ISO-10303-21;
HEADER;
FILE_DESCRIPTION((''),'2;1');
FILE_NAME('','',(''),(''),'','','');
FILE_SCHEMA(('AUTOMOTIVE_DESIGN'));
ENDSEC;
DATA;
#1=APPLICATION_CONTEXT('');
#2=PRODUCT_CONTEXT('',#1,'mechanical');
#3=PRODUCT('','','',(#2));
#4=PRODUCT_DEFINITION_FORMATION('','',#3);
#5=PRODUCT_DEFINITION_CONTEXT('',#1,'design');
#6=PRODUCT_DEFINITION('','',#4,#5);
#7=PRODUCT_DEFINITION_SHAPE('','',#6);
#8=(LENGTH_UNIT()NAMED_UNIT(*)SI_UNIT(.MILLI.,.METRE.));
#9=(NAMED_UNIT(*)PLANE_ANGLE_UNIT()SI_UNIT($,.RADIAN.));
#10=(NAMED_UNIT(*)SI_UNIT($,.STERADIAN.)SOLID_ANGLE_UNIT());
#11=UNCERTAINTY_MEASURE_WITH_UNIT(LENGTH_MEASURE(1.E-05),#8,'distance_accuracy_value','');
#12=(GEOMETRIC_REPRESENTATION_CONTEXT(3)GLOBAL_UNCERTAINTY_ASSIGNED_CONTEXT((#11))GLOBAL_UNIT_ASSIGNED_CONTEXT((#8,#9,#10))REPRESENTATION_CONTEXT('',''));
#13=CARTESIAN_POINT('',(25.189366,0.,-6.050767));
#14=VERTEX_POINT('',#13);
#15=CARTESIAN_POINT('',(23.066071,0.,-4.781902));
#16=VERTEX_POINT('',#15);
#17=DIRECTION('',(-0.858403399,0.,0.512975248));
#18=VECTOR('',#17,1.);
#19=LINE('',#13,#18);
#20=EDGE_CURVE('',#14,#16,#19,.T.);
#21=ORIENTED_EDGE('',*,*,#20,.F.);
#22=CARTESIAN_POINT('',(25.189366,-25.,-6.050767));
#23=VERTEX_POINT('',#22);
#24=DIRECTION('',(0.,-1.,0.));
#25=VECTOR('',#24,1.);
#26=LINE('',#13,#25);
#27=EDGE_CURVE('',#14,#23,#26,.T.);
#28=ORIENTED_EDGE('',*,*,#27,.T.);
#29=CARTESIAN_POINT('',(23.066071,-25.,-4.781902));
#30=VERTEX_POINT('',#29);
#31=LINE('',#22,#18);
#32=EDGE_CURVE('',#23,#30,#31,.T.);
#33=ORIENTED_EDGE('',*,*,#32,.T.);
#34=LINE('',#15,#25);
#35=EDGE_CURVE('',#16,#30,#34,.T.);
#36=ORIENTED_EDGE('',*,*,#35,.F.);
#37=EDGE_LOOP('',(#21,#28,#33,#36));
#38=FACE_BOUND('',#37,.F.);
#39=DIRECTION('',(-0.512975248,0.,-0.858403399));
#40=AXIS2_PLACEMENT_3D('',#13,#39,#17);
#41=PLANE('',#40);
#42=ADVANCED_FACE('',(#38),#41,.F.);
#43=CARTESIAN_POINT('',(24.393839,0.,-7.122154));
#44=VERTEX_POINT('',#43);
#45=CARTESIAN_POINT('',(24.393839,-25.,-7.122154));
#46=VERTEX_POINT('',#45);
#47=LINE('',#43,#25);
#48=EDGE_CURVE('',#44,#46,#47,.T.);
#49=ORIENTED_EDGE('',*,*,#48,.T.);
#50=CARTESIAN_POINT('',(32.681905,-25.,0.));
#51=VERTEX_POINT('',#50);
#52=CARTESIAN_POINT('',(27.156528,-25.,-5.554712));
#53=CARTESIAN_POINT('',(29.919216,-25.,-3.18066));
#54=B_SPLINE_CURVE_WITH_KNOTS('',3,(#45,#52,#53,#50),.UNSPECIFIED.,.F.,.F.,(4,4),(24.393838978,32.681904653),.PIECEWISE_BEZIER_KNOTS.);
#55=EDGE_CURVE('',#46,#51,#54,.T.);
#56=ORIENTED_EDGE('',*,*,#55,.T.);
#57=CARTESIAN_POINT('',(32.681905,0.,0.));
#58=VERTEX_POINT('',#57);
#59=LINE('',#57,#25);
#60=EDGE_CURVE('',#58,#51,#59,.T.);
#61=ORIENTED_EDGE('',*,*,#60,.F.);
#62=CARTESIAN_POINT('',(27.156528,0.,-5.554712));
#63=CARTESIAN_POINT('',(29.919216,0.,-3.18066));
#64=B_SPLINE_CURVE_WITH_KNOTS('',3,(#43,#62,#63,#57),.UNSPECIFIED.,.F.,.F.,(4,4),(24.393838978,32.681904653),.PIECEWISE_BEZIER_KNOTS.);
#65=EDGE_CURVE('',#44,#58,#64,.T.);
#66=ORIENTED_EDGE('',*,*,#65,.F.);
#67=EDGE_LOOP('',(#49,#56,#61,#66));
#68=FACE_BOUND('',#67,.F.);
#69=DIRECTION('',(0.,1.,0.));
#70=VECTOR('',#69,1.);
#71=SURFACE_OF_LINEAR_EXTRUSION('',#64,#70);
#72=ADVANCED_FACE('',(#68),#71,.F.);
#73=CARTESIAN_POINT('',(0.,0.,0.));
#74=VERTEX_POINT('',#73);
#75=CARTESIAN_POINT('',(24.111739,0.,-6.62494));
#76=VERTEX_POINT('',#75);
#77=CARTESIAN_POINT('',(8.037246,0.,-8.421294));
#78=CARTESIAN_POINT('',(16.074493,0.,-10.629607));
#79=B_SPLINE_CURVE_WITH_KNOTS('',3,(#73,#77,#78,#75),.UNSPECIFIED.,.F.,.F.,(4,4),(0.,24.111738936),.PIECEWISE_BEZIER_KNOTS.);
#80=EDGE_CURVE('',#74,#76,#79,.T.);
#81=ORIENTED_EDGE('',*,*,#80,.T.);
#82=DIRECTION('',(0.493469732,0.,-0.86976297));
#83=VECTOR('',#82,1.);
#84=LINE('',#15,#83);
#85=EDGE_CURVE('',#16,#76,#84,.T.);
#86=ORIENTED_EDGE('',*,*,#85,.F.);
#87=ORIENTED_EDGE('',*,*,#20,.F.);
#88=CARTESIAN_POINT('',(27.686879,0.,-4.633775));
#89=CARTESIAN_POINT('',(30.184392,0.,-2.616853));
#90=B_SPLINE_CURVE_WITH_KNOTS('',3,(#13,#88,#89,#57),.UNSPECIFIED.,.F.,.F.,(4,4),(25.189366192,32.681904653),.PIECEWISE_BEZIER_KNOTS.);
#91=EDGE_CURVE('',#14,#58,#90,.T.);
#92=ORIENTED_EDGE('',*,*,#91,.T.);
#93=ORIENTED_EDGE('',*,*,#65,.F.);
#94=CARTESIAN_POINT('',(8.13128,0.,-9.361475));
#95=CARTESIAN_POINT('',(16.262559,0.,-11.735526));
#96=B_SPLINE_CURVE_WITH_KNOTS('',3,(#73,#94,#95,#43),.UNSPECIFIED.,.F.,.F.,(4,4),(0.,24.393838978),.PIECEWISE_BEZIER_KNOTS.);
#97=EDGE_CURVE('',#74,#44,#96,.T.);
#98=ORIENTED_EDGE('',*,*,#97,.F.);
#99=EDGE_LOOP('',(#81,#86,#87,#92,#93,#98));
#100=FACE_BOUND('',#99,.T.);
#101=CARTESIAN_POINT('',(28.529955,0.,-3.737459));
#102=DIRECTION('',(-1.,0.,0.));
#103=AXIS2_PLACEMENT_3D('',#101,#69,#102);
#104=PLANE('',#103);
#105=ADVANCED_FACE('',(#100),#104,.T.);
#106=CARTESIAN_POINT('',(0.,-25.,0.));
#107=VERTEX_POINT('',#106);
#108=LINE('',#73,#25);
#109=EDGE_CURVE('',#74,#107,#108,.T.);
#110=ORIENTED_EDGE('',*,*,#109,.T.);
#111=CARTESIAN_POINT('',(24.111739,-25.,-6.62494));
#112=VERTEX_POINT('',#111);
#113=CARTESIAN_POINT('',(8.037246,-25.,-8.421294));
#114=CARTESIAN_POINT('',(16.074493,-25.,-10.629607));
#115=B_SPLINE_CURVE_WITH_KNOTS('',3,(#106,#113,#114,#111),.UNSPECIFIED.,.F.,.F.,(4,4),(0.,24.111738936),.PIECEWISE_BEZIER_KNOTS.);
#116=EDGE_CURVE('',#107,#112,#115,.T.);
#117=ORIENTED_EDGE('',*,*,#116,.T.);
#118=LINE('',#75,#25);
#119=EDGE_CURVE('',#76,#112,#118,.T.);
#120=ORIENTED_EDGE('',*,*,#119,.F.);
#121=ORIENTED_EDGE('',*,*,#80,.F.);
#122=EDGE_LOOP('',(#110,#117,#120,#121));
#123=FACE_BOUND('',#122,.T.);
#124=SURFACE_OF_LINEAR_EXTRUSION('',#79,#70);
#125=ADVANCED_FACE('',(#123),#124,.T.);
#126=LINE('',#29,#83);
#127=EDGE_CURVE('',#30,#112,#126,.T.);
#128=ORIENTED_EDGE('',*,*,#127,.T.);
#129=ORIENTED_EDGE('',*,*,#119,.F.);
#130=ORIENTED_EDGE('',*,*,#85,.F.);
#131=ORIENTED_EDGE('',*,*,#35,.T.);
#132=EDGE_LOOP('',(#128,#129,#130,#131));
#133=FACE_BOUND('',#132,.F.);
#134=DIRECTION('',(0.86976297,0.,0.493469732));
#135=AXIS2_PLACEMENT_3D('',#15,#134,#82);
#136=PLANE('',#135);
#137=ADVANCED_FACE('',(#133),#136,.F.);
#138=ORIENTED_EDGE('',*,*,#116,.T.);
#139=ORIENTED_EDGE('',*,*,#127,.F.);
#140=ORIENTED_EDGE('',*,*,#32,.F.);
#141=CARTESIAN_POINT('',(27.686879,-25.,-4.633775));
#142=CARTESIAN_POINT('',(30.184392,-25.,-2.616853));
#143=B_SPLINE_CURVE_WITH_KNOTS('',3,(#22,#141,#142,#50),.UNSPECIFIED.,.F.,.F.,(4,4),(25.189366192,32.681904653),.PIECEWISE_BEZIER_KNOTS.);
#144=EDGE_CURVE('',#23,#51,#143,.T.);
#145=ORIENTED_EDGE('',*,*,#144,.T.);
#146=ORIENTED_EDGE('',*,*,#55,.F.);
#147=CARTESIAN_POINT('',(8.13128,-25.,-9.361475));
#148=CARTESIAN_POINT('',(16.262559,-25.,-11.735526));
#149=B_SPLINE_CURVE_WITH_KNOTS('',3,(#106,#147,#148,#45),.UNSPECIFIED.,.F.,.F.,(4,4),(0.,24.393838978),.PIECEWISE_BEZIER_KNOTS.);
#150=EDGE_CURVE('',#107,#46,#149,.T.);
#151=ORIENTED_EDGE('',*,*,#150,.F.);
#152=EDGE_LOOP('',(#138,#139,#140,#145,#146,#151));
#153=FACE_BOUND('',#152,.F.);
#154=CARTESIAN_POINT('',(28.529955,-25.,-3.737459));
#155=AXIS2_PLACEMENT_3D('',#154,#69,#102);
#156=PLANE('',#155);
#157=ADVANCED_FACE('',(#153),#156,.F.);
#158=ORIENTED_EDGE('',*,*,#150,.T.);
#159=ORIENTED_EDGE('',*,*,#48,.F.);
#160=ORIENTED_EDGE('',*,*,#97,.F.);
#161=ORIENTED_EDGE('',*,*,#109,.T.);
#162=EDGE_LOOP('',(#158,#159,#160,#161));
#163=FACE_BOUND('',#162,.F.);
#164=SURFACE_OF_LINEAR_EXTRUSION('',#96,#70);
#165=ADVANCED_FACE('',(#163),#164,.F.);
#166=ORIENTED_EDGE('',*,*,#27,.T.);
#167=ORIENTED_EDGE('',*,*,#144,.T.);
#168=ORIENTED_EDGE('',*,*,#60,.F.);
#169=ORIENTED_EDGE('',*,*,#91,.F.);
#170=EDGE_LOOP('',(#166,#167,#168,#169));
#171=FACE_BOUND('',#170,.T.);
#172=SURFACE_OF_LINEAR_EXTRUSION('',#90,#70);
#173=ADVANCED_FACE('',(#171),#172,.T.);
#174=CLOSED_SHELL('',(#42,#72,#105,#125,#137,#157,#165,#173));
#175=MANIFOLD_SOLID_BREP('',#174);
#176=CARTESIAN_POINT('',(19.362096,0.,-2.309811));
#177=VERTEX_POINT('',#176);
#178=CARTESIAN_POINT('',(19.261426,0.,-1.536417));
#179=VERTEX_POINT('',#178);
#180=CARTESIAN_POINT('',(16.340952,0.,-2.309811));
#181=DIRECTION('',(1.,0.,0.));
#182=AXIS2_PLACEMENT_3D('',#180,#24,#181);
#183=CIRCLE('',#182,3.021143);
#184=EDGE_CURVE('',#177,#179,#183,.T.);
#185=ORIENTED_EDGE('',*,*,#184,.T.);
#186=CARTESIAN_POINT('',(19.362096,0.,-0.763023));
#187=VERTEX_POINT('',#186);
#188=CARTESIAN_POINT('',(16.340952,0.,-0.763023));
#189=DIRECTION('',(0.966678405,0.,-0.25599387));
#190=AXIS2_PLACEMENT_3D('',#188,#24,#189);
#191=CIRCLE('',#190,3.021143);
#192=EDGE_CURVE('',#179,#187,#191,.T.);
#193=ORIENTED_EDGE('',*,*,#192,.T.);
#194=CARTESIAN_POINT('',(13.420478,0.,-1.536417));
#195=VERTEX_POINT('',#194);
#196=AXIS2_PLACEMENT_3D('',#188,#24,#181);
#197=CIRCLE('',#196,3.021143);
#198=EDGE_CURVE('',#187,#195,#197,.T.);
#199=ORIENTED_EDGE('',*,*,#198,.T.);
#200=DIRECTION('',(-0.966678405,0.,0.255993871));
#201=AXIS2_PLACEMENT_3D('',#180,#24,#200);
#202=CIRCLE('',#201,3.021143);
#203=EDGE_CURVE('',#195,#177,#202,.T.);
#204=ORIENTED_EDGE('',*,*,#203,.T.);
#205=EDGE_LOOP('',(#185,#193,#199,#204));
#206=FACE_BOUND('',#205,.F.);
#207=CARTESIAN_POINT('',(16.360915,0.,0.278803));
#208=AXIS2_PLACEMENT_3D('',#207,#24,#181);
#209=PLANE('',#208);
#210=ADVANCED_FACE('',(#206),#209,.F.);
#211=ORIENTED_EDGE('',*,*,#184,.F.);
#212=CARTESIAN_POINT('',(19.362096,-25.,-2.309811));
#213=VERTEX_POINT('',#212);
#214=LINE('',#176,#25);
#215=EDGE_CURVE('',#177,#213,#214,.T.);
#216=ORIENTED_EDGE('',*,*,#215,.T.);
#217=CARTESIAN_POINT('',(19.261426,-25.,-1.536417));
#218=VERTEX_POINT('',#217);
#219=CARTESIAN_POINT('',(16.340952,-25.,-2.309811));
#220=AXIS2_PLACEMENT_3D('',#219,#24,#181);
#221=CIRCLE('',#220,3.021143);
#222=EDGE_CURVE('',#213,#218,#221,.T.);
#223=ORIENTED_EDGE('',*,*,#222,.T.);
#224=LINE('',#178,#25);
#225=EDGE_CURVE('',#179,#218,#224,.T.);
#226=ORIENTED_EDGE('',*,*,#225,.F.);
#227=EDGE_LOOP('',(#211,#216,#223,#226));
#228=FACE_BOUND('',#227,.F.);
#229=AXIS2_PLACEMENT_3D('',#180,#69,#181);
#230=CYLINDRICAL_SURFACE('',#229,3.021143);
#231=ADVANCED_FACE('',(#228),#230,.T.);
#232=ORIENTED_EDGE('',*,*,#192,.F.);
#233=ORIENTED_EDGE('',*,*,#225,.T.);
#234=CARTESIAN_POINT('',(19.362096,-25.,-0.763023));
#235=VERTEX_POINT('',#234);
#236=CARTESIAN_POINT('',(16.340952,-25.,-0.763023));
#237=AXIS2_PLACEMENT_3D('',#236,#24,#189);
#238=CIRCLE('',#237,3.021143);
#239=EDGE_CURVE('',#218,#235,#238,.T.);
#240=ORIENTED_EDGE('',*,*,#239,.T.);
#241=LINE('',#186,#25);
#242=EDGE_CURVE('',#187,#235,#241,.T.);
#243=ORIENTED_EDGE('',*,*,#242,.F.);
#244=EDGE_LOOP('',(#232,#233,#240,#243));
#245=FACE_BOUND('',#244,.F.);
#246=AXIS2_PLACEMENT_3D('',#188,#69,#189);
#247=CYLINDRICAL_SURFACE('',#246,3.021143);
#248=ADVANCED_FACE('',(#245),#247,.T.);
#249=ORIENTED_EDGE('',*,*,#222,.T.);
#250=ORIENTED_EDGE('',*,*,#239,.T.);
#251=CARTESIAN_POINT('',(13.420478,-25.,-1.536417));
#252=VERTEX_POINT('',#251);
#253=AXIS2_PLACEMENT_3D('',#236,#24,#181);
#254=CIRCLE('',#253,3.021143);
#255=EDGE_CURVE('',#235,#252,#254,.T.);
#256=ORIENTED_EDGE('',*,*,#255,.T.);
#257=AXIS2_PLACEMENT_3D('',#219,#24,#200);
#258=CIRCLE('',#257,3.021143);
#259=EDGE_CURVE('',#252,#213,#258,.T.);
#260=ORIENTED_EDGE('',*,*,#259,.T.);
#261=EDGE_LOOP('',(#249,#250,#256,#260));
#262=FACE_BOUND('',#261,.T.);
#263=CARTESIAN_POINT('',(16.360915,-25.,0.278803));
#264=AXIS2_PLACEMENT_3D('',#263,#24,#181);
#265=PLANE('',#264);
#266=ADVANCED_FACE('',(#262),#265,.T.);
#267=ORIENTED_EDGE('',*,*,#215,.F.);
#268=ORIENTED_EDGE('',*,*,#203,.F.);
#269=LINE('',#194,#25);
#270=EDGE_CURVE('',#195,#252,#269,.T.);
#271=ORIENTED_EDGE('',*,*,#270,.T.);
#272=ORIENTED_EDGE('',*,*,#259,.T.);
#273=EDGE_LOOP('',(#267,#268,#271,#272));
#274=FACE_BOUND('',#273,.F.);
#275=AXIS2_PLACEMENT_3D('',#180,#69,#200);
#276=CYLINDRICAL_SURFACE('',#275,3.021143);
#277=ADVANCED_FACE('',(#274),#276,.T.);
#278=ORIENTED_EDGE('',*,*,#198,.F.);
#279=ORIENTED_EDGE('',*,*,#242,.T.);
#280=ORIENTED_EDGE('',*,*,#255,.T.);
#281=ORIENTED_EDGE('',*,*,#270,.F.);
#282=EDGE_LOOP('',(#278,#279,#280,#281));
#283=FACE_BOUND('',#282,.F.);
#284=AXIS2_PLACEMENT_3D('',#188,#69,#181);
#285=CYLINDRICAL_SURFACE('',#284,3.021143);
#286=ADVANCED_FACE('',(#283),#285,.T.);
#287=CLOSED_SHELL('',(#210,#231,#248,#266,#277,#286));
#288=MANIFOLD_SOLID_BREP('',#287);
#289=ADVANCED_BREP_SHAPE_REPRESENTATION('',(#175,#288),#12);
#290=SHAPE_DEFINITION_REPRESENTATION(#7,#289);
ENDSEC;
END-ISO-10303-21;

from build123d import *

# Parameters (mm, degrees)
F1_DEPTH = 25


with BuildPart() as f1:
    # F0 (on Front) → F1 (new body)
    with BuildSketch(Plane.XZ):
        with BuildLine():
            add(Edge.make_bspline(
                [(25.1893661916, -6.0507666302), (27.6868790121, -4.6337748478), (30.1843918325, -2.6168526378), (32.681904653, 0)],
                knots=[25.1893661916, 25.1893661916, 25.1893661916, 25.1893661916, 32.681904653, 32.681904653, 32.681904653, 32.681904653], degree=3))
            add(Edge.make_bspline(
                [(24.1117389364, -6.6249397749), (24.4709480215, -6.4459589633), (24.8301571066, -6.2545679151), (25.1893661916, -6.0507666302)],
                knots=[24.1117389364, 24.1117389364, 24.1117389364, 24.1117389364, 25.1893661916, 25.1893661916, 25.1893661916, 25.1893661916], degree=3))
            Line((24.1117389364, -6.6249397749), (24.3938389779, -7.1221539996))
            add(Edge.make_bspline(
                [(24.3938389779, -7.1221539996), (27.1565275363, -5.5547118017), (29.9192160946, -3.1806604685), (32.681904653, 0)],
                knots=[24.3938389779, 24.3938389779, 24.3938389779, 24.3938389779, 32.681904653, 32.681904653, 32.681904653, 32.681904653], degree=3))
        make_face()
        with BuildLine():
            add(Edge.make_bspline(
                [(24.1117389364, -6.6249397749), (24.4709480215, -6.4459589633), (24.8301571066, -6.2545679151), (25.1893661916, -6.0507666302)],
                knots=[24.1117389364, 24.1117389364, 24.1117389364, 24.1117389364, 25.1893661916, 25.1893661916, 25.1893661916, 25.1893661916], degree=3))
            Line((25.1893661916, -6.0507666302), (23.066070649, -4.7819015963))
            Line((23.066070649, -4.7819015963), (24.1117389364, -6.6249397749))
        make_face()
        with BuildLine():
            Line((24.3938389779, -7.1221539996), (24.1117389364, -6.6249397749))
            add(Edge.make_bspline(
                [(0, 0), (8.0372463121, -8.4212937928), (16.0744926243, -10.6296070511), (24.1117389364, -6.6249397749)],
                knots=[0, 0, 0, 0, 24.1117389364, 24.1117389364, 24.1117389364, 24.1117389364], degree=3))
            add(Edge.make_bspline(
                [(0, 0), (8.1312796593, -9.3614749635), (16.2625593186, -11.7355262967), (24.3938389779, -7.1221539996)],
                knots=[0, 0, 0, 0, 24.3938389779, 24.3938389779, 24.3938389779, 24.3938389779], degree=3))
        make_face()
    extrude(amount=F1_DEPTH)


with BuildPart() as f1b:
    # F0 (on Front) → F1, piece 2 (new body)
    with BuildSketch(Plane.XZ):
        with BuildLine():
            ThreePointArc((19.2614262365, -1.5364169219), (19.3368225108, -1.1529820089), (19.3620955482, -0.7630227747))
            ThreePointArc((19.3620955482, -0.7630227747), (15.9509930924, 2.2328474096), (13.4204784165, -1.5364169219))
            ThreePointArc((13.4204784165, -1.5364169219), (16.3409523265, 0.7113321526), (19.2614262365, -1.5364169219))
        make_face()
        with BuildLine():
            ThreePointArc((19.2614262365, -1.5364169219), (16.3409523265, 0.7113321526), (13.4204784165, -1.5364169219))
            ThreePointArc((13.4204784165, -1.5364169219), (16.3409523265, -3.7841659964), (19.2614262365, -1.5364169219))
        make_face()
        with BuildLine():
            ThreePointArc((19.2614262365, -1.5364169219), (16.3409523265, -3.7841659964), (13.4204784165, -1.5364169219))
            ThreePointArc((13.4204784165, -1.5364169219), (15.9509930924, -5.3056812534), (19.3620955482, -2.3098110691))
            ThreePointArc((19.3620955482, -2.3098110691), (19.3368225108, -1.9198518349), (19.2614262365, -1.5364169219))
        make_face()
    extrude(amount=F1_DEPTH)


solid = Compound([f1.part, f1b.part])
